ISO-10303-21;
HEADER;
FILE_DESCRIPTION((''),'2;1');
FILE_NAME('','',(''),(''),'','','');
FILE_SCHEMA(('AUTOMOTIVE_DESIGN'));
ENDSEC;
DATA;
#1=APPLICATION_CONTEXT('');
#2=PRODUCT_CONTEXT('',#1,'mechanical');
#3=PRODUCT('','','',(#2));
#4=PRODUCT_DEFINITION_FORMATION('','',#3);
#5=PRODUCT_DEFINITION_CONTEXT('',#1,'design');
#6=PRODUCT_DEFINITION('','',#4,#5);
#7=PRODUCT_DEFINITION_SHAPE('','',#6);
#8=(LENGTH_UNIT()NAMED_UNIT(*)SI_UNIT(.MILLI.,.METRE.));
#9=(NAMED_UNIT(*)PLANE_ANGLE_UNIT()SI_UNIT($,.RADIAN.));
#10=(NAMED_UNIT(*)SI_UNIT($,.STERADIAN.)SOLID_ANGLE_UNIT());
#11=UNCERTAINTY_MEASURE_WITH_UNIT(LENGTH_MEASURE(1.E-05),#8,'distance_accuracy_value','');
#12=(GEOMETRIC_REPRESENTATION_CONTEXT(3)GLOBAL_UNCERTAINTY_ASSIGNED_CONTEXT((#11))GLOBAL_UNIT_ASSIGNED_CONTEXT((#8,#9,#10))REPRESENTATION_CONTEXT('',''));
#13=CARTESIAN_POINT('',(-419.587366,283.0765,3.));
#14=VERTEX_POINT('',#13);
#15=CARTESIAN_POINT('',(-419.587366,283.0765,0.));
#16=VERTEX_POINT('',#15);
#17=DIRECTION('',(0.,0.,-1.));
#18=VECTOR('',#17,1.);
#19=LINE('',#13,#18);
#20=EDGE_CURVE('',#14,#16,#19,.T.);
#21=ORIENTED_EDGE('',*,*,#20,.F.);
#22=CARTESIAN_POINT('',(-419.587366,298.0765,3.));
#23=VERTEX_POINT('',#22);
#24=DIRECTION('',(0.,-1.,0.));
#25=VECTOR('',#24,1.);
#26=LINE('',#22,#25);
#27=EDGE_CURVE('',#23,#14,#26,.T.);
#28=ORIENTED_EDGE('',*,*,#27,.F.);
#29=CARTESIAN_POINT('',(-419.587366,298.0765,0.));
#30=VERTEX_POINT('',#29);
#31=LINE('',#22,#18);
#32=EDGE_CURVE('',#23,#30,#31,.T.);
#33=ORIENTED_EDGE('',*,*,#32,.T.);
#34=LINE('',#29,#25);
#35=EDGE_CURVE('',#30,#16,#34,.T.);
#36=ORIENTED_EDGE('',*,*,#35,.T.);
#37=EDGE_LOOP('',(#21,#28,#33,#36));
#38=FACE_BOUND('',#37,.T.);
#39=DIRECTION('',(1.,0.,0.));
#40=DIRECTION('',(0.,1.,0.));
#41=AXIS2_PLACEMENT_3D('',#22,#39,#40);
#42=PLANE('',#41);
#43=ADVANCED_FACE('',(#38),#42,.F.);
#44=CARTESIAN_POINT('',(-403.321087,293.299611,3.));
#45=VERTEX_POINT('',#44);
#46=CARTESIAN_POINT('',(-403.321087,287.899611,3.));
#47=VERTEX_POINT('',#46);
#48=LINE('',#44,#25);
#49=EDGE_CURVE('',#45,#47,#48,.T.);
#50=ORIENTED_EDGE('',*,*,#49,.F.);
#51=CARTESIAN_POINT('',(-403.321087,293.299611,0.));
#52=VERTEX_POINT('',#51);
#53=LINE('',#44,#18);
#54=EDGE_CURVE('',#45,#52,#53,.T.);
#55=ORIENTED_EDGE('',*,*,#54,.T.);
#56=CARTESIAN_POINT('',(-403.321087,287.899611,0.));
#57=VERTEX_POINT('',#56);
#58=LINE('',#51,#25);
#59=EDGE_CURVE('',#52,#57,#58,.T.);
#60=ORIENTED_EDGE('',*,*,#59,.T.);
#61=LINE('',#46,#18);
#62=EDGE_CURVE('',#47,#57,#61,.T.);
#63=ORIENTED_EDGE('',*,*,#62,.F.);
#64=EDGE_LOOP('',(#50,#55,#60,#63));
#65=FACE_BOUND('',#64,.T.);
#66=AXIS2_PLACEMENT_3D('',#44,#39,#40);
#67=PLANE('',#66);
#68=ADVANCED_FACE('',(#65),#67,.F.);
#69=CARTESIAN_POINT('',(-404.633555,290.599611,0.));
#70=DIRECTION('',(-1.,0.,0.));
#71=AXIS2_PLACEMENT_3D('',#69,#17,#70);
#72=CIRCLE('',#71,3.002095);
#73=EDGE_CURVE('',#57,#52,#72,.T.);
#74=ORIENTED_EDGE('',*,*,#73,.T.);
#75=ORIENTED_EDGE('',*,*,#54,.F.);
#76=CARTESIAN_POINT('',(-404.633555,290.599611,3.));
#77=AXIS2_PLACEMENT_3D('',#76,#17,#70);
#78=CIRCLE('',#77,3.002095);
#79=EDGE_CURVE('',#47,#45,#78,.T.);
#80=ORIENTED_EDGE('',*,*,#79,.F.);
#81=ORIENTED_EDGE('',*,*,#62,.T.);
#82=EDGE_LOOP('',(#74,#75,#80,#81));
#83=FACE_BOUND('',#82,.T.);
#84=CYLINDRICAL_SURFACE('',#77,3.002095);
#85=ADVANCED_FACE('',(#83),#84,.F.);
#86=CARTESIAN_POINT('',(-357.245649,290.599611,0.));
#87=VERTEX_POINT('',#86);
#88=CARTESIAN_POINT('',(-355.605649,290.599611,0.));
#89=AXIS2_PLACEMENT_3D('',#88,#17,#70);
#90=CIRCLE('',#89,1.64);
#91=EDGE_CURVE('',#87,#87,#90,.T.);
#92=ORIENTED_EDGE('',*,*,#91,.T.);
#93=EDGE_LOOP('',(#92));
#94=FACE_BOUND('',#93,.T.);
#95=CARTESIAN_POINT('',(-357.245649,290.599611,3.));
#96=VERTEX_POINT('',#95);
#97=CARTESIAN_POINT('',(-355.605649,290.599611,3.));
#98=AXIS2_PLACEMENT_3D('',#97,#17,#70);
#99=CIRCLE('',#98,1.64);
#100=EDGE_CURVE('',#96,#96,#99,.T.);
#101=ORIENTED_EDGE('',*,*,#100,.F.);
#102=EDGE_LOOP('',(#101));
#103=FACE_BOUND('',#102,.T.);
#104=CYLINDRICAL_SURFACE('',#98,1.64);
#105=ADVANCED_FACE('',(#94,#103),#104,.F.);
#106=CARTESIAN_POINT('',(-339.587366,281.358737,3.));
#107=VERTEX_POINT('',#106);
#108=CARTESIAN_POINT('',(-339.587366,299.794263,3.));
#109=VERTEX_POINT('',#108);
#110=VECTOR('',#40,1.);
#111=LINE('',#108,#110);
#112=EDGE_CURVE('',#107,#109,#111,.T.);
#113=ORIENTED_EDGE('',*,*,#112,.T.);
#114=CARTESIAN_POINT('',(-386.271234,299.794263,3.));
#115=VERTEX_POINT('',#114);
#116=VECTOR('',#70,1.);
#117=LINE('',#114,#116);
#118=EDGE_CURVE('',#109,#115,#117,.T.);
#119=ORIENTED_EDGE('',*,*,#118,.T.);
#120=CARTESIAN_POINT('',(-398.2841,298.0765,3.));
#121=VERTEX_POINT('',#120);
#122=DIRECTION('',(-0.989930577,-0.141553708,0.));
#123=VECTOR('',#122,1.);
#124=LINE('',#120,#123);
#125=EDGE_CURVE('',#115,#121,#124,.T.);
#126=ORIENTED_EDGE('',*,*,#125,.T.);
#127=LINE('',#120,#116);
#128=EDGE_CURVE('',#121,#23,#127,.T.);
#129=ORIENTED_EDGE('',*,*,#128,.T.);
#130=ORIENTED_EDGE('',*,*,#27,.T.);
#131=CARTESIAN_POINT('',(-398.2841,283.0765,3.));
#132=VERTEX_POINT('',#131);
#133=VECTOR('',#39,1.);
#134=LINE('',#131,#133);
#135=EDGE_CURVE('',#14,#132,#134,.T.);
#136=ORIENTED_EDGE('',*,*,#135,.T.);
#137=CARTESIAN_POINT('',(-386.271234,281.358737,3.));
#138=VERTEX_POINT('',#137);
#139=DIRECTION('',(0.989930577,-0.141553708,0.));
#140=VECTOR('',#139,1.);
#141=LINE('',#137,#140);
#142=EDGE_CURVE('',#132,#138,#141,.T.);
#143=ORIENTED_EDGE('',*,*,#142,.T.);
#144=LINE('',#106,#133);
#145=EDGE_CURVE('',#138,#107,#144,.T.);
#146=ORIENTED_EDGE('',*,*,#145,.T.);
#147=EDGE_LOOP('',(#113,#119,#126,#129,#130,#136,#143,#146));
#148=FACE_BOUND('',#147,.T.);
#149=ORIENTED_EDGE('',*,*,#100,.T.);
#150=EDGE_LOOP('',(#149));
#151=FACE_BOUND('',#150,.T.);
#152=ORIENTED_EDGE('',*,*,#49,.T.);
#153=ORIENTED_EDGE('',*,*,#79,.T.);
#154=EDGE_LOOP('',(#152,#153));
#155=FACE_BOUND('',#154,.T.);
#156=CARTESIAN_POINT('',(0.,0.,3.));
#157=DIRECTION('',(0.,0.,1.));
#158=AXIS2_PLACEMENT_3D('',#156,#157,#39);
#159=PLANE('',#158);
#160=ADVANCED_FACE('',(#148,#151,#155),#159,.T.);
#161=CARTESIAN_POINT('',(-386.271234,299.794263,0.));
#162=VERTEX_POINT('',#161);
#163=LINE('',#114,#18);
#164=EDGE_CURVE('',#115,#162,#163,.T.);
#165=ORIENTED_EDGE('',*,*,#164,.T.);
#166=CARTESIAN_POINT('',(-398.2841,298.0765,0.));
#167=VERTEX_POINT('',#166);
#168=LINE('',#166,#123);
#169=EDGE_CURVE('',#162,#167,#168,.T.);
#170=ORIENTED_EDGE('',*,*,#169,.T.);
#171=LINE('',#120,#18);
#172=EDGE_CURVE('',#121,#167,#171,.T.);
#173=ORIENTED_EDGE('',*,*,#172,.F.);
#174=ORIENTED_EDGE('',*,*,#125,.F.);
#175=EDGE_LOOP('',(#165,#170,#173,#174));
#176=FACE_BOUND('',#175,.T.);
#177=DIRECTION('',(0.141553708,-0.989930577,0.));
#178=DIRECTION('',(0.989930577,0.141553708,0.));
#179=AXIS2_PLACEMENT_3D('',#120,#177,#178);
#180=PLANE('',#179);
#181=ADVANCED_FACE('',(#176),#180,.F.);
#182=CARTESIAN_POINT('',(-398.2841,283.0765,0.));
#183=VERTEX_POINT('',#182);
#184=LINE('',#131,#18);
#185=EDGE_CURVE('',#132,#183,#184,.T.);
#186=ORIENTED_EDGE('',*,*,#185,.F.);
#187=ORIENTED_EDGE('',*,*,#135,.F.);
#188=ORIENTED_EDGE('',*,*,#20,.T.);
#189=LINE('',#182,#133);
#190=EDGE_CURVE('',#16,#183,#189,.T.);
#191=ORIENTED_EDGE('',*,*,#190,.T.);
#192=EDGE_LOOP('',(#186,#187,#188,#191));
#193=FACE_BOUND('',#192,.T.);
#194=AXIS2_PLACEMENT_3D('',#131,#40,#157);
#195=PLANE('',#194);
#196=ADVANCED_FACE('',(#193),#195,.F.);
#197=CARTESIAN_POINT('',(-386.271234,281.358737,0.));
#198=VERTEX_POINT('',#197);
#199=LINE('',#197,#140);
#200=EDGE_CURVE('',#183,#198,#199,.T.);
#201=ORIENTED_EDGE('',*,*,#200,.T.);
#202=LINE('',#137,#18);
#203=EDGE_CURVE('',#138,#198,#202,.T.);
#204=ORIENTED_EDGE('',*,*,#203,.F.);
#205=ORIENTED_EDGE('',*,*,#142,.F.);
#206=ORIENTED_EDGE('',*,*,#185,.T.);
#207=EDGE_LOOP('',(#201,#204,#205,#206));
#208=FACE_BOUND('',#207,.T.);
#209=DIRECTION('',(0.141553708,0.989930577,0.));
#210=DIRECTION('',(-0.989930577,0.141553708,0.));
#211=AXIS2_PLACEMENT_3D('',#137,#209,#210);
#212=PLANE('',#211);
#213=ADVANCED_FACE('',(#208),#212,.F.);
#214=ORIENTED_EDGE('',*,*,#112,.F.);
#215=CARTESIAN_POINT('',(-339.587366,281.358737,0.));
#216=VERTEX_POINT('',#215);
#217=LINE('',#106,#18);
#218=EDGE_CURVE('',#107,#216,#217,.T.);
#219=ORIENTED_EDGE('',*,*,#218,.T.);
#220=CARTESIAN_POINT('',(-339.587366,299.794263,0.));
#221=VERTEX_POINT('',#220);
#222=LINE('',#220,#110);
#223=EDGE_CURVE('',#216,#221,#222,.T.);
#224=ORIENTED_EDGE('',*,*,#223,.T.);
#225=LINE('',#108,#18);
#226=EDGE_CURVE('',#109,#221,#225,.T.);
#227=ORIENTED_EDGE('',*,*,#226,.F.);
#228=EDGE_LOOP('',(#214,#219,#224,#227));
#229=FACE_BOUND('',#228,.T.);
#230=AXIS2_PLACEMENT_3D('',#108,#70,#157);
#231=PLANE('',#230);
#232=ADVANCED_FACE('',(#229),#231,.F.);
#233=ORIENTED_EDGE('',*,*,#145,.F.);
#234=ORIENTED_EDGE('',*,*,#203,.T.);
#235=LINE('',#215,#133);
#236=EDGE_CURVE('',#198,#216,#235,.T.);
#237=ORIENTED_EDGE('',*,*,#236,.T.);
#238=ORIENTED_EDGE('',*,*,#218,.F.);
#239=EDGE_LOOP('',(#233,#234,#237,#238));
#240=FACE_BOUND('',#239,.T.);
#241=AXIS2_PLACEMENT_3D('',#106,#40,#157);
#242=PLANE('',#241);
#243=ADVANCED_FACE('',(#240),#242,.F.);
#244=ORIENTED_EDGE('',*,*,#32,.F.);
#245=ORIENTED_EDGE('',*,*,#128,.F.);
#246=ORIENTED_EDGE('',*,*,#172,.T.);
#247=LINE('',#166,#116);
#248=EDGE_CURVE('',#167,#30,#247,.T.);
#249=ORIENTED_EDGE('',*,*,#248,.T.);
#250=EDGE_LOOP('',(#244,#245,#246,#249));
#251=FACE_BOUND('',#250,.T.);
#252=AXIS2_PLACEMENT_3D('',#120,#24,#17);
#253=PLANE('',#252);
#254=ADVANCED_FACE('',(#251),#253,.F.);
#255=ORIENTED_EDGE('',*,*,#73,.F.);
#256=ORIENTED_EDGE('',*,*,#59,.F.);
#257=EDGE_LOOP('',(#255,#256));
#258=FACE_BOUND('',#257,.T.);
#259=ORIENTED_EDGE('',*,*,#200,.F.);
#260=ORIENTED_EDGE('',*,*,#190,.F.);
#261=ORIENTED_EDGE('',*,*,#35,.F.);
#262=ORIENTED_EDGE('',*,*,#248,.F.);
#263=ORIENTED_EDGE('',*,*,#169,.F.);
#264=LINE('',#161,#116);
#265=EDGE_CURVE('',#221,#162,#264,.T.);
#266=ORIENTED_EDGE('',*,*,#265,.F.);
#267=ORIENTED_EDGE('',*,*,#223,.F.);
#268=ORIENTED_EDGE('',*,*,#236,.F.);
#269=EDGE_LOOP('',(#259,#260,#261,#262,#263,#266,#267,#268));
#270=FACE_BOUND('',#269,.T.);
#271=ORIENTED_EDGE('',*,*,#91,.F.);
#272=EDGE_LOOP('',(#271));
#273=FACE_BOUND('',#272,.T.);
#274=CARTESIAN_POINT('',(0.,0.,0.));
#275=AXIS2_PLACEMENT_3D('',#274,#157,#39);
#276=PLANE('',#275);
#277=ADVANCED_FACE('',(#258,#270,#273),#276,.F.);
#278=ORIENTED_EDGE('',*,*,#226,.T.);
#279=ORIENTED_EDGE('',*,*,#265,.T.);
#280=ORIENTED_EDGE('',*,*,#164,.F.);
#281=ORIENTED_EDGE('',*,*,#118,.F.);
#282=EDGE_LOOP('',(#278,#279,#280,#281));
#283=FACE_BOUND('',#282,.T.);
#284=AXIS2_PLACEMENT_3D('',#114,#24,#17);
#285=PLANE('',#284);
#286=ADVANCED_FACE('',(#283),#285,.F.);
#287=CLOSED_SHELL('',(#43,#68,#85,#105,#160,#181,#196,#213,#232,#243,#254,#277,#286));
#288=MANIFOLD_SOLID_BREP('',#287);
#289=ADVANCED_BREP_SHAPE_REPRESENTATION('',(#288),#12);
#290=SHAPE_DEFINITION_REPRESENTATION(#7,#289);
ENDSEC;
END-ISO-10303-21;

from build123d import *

# Parameters (mm, degrees)
BOSS_EXTRUDE1_DEPTH = 3
CUT_EXTRUDE3_DEPTH  = 516.692890771
SKETCH4_R           = 1.64
CUT_EXTRUDE2_DEPTH  = 516.692890771


with BuildPart() as part:
    # Sketch1 → Boss-Extrude1 (new body)
    with BuildSketch(Plane.XY):
        Polygon((-398.2841, 298.0765), (-386.271234014, 299.794262601), (-339.587365996, 299.794262601), (-339.587365996, 281.358737399), (-386.271234014, 281.358737399), (-398.2841, 283.0765), (-419.587365996, 283.0765), (-419.587365996, 298.0765), align=None)
    extrude(amount=BOSS_EXTRUDE1_DEPTH)

    # Sketch5 → Cut-Extrude3 (cut, through all)
    with BuildSketch(Plane(origin=(0, 0, 0), x_dir=(-1, 0, 0), z_dir=(0, 0, -1))):
        with BuildLine():
            Line((403.321087066, 293.299611149), (403.321087066, 287.899611149))
            ThreePointArc((403.321087066, 287.899611149), (407.635649248, 290.599611149), (403.321087066, 293.299611149))
        make_face()
    extrude(amount=-CUT_EXTRUDE3_DEPTH, mode=Mode.SUBTRACT)

    # Sketch4 → Cut-Extrude2 (cut, through all)
    with BuildSketch(Plane(origin=(0, 0, 0), x_dir=(-1, 0, 0), z_dir=(0, 0, -1))):
        with Locations((355.605649248, 290.599611149)):
            Circle(SKETCH4_R)
    extrude(amount=-CUT_EXTRUDE2_DEPTH, mode=Mode.SUBTRACT)


solid = part.part
